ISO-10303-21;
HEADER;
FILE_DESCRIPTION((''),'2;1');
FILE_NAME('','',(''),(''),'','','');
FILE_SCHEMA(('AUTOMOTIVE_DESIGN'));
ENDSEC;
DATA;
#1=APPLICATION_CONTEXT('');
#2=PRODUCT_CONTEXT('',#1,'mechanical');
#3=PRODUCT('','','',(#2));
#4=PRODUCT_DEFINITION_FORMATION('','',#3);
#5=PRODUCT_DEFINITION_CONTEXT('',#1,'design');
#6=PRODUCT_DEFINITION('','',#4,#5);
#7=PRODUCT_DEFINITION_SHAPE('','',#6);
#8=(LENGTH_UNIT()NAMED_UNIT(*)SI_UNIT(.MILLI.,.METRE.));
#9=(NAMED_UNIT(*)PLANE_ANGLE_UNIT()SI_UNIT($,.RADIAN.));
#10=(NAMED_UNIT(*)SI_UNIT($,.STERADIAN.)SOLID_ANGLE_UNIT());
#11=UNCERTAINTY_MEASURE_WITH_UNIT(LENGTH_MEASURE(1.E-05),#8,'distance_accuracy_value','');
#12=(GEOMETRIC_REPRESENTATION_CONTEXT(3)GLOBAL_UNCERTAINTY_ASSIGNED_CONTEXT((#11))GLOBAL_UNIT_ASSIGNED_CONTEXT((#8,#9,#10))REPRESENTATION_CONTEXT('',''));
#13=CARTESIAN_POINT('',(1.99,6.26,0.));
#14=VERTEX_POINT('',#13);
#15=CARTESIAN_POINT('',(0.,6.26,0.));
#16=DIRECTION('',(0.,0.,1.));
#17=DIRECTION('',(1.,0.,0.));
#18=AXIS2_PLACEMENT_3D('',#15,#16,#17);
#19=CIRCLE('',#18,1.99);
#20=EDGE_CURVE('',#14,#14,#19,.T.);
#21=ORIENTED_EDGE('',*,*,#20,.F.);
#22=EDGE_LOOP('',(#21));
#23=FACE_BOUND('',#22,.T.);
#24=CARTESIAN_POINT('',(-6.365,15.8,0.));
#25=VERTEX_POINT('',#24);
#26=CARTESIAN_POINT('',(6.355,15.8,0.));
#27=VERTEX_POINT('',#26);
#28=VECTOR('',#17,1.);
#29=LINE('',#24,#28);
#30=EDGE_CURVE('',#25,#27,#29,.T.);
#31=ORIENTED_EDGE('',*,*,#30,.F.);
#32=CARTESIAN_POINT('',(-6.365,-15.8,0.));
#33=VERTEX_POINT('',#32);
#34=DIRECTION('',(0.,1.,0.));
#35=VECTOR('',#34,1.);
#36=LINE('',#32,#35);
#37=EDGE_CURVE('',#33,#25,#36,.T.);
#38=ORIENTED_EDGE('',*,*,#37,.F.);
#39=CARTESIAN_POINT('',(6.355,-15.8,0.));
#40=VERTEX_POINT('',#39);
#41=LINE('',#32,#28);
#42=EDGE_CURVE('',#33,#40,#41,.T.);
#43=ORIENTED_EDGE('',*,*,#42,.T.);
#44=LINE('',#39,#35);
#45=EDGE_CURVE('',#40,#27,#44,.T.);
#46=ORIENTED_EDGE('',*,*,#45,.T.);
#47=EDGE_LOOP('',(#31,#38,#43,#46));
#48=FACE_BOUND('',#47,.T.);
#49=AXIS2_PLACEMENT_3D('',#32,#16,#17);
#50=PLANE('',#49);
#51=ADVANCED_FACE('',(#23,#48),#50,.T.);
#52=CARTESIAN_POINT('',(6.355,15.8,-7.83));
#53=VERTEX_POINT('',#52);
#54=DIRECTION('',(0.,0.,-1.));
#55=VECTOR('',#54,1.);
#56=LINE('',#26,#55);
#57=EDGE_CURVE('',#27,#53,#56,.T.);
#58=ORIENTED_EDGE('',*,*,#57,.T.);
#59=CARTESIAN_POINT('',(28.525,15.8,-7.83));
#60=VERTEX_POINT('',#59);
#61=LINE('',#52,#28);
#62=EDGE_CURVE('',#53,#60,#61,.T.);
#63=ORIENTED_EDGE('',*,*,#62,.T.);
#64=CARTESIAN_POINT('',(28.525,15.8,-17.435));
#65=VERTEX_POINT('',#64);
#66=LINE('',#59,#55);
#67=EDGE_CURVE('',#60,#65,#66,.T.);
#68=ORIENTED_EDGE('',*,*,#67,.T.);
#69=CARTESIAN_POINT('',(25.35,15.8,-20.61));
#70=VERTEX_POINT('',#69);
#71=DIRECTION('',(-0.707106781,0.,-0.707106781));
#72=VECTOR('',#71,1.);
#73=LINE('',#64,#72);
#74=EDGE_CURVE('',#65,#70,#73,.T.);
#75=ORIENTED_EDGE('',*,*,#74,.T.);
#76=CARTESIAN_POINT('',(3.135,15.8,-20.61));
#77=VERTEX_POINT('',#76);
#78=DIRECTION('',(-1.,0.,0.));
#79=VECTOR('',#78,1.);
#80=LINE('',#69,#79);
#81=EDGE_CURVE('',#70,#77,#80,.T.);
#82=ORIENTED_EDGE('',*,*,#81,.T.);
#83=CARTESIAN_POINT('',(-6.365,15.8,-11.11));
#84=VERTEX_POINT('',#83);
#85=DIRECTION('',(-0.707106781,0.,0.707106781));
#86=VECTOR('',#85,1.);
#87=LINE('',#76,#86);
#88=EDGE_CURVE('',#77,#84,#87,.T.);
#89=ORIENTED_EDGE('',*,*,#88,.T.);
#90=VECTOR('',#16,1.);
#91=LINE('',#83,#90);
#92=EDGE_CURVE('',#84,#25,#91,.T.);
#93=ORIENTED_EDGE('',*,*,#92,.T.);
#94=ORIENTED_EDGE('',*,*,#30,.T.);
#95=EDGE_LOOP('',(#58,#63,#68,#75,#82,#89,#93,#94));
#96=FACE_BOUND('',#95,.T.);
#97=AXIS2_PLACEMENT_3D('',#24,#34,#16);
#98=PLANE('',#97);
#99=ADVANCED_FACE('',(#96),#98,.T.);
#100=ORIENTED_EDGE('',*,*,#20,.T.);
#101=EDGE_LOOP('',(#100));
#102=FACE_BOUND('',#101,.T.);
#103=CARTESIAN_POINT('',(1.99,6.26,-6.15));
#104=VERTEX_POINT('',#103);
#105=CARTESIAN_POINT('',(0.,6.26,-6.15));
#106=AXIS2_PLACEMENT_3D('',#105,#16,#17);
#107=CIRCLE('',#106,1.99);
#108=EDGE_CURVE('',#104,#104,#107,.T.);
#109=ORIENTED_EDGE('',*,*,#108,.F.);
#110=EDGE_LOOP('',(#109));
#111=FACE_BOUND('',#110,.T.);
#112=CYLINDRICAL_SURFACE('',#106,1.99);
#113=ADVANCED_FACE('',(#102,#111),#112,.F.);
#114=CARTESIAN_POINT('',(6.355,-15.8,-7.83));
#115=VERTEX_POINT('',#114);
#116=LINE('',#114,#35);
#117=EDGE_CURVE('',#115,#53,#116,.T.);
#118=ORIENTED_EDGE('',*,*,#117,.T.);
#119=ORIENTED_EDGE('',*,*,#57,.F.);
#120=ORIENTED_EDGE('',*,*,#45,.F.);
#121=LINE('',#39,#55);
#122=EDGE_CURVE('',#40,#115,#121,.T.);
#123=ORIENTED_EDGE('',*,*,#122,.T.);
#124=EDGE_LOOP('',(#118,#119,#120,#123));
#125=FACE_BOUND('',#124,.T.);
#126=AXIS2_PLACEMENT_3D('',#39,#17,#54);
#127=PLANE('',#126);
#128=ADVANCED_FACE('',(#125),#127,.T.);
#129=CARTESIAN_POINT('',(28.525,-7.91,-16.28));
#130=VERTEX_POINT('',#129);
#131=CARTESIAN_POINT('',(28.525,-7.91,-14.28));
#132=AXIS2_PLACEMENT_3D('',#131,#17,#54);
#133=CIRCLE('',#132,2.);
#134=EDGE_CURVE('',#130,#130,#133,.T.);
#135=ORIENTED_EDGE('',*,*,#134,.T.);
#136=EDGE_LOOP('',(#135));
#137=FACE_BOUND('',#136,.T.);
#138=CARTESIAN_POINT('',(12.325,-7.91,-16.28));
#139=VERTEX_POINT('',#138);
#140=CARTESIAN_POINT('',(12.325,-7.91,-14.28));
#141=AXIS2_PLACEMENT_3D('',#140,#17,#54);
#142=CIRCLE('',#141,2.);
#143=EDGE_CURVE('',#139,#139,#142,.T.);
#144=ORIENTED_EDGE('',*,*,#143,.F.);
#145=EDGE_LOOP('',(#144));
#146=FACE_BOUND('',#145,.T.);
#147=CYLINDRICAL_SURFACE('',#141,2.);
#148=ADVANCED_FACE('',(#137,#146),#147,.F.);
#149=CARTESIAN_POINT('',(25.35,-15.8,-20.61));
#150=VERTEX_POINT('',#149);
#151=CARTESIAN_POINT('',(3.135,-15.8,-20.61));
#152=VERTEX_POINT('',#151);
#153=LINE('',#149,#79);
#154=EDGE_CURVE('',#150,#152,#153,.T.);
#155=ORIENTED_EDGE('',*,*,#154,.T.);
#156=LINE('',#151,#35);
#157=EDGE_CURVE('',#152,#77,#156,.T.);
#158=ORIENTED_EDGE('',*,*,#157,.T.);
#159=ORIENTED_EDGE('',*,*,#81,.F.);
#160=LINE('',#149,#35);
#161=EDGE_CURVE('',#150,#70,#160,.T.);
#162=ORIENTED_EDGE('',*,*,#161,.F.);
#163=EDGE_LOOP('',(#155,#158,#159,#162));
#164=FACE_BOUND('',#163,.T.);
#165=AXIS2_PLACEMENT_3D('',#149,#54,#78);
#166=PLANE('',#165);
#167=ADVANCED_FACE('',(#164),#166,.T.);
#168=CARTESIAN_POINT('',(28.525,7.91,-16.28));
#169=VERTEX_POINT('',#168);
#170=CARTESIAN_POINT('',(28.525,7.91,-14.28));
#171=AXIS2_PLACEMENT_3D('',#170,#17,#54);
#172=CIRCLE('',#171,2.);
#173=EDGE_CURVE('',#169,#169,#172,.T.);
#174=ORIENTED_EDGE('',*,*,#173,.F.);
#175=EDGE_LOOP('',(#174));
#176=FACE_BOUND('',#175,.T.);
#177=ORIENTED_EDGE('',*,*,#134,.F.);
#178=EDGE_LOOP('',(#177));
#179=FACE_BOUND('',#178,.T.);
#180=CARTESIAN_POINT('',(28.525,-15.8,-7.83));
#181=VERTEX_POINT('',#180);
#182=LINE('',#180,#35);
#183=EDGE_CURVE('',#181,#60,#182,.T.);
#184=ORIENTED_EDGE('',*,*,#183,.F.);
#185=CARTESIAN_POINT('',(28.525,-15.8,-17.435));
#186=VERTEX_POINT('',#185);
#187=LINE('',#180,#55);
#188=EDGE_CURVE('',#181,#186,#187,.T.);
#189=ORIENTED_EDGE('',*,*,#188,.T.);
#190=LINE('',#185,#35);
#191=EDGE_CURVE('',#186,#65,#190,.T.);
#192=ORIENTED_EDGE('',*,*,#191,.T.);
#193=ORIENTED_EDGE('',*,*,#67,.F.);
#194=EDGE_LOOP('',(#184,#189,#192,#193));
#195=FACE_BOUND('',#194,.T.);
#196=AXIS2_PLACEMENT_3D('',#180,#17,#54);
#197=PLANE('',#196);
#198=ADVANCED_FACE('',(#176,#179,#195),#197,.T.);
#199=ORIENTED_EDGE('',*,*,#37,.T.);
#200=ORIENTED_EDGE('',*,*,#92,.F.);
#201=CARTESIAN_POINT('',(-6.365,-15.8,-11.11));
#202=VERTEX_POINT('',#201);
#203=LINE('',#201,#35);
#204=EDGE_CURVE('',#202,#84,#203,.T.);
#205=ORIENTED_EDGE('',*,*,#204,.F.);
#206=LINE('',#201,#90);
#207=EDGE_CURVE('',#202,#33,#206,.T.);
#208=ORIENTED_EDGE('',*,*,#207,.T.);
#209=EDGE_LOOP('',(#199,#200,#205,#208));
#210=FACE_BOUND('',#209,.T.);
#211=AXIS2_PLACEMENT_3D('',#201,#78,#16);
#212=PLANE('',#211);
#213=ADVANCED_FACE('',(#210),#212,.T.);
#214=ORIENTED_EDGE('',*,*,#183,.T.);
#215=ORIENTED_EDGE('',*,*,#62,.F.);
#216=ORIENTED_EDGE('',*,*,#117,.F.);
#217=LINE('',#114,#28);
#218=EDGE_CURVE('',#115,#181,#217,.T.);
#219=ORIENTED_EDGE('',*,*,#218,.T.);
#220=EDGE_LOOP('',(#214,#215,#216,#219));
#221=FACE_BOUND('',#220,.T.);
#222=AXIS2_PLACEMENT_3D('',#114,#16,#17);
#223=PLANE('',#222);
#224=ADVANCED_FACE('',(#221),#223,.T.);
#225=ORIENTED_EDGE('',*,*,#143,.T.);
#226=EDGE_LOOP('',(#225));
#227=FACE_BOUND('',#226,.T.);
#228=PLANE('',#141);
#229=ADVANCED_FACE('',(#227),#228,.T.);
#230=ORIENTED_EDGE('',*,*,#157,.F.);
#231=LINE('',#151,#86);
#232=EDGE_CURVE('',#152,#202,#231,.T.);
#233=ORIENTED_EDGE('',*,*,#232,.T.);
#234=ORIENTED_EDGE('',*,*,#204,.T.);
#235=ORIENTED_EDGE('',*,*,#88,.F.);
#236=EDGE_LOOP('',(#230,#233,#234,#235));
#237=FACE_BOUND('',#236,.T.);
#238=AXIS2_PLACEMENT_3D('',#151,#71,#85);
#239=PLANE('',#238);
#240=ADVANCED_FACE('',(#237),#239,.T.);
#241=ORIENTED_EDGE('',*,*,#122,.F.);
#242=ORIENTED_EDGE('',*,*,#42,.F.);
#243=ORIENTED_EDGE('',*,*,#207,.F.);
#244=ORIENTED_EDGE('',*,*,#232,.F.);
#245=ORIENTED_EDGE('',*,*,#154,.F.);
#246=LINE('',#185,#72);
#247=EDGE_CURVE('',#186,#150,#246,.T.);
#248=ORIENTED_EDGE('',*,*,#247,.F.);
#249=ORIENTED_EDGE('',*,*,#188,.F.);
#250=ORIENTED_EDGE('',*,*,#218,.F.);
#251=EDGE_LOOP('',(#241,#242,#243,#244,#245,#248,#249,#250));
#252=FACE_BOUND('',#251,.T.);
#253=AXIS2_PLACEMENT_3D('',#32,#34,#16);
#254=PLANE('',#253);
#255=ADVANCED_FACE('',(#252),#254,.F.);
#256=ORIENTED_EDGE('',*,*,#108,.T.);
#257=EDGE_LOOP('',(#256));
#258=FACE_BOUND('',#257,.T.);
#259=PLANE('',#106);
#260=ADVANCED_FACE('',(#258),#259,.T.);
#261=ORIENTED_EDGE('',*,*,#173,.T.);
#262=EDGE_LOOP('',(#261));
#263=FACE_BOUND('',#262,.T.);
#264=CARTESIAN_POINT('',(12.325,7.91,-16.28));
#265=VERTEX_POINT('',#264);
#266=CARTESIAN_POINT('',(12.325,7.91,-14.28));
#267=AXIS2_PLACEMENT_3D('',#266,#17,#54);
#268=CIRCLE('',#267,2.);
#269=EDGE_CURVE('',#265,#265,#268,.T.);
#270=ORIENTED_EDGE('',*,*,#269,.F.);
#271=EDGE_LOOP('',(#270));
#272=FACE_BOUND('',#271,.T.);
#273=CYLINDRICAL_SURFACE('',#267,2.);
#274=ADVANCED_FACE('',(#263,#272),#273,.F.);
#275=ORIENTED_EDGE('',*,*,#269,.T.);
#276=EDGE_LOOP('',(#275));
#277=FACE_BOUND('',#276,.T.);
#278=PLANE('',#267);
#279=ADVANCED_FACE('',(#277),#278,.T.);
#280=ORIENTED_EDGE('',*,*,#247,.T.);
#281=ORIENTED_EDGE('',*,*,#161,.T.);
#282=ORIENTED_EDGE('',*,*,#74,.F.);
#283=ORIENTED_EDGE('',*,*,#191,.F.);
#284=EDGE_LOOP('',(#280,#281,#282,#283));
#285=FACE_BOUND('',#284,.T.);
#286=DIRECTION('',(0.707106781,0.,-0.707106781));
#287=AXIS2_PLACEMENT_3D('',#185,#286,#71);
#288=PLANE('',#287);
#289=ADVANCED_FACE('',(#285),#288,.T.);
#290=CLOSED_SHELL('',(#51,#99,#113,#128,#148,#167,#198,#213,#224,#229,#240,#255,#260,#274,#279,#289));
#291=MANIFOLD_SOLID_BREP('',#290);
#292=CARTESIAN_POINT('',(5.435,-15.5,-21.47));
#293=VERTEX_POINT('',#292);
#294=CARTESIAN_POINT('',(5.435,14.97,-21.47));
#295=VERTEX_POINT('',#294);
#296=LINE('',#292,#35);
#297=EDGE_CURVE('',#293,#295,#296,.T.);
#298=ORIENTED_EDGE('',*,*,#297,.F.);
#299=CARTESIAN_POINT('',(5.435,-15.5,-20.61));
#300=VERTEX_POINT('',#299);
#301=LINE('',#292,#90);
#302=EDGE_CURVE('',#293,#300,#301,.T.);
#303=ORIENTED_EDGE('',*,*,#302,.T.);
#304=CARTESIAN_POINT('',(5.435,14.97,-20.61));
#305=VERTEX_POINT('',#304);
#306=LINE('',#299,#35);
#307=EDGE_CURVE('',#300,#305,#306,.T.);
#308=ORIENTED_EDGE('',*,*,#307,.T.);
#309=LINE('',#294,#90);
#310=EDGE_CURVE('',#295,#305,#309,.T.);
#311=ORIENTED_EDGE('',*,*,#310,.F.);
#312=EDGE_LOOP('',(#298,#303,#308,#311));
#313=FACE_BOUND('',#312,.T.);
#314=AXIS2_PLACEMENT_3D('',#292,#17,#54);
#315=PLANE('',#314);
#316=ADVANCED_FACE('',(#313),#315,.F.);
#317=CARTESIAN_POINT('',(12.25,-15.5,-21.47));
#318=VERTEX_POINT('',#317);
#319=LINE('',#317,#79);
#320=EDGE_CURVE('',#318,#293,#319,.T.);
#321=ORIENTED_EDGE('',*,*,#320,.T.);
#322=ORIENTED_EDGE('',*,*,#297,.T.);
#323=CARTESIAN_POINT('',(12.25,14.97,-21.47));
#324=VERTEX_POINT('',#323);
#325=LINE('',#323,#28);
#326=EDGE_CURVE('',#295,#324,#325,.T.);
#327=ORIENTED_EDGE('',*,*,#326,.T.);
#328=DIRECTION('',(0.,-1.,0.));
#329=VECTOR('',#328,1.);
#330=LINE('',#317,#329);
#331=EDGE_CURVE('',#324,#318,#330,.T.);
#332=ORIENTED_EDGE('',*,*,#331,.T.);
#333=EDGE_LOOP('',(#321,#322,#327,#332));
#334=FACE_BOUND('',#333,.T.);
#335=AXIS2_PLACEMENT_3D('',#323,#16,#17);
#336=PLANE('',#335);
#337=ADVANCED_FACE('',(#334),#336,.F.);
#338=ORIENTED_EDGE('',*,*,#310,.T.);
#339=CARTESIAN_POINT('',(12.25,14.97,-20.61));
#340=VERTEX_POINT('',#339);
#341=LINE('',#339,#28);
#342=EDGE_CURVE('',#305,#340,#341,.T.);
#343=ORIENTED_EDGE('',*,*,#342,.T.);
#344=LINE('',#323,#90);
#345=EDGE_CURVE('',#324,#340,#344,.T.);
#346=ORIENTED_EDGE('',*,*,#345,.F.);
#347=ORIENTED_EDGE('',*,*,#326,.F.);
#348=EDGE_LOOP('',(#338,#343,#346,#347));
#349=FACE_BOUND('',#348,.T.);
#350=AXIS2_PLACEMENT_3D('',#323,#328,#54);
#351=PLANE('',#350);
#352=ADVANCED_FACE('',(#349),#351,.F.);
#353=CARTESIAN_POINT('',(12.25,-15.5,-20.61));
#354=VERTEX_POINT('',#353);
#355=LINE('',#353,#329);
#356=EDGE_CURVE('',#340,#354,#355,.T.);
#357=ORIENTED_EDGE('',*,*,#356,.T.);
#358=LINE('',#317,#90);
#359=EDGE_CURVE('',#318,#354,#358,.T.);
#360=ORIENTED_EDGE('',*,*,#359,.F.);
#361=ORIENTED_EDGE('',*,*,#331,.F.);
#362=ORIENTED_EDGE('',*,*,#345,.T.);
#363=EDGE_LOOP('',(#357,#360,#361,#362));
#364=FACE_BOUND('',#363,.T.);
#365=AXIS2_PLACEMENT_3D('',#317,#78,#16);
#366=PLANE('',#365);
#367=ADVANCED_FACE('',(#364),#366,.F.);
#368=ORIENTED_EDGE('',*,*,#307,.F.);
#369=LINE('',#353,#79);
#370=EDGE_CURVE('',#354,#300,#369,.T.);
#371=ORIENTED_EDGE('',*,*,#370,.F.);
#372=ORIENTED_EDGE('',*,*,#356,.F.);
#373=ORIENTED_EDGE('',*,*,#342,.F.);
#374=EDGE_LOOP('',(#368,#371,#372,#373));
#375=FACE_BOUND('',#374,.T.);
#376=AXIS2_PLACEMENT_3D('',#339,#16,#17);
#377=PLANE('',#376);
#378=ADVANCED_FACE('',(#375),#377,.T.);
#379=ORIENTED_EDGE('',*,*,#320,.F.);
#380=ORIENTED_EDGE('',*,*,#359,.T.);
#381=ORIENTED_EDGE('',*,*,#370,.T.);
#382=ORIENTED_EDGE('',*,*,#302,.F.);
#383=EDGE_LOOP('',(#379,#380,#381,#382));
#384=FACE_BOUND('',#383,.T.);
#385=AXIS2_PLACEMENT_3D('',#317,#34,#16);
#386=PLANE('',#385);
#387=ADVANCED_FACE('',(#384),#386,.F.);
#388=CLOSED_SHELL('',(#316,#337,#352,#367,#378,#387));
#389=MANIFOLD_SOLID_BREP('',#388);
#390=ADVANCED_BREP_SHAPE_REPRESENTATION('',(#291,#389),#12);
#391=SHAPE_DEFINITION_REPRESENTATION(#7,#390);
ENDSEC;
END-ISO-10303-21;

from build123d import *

# Parameters (mm, degrees)
BOSS_EXTRUDE1_DEPTH      = 15.8
BOSS_EXTRUDE1_DEPTH_BACK = 15.8
SKETCH2_R                = 1.99
CUT_EXTRUDE1_DEPTH       = 6.15
SKETCH3_R                = 2
CUT_EXTRUDE2_DEPTH       = 16.2
SKETCH4_W                = 6.815
SKETCH4_H                = 30.47
BOSS_EXTRUDE2_DEPTH      = 0.86


with BuildPart() as part:
    # Sketch1 → Boss-Extrude1 (new, two sides: drawn at the far end of the back side and taken through both)
    with BuildSketch(Plane(origin=(0, 0, 0), x_dir=(1, 0, 0), z_dir=(0, 1, 0)).offset(-BOSS_EXTRUDE1_DEPTH_BACK)):
        Polygon((-6.365, 0), (6.355, 0), (6.355, 7.83), (28.525, 7.83), (28.525, 17.435), (25.35, 20.61), (3.135, 20.61), (-6.365, 11.11), align=None)
    extrude(amount=BOSS_EXTRUDE1_DEPTH + BOSS_EXTRUDE1_DEPTH_BACK)

    # Sketch2 → Cut-Extrude1 (cut)
    with BuildSketch(Plane.XY):
        with Locations((0, 6.26)):
            Circle(SKETCH2_R)
    extrude(amount=-CUT_EXTRUDE1_DEPTH, mode=Mode.SUBTRACT)

    # Sketch3 → Cut-Extrude2 (cut)
    with BuildSketch(Plane(origin=(28.525, 0, 0), x_dir=(0, 0, -1), z_dir=(1, 0, 0))):
        with Locations((14.28, -7.91)):
            Circle(SKETCH3_R)
        with Locations((14.28, 7.91)):
            Circle(SKETCH3_R)
    extrude(amount=-CUT_EXTRUDE2_DEPTH, mode=Mode.SUBTRACT)


with BuildPart() as body_2:
    # Sketch4 → Boss-Extrude2 (new body)
    with BuildSketch(Plane(origin=(0, 0, -20.61), x_dir=(-1, 0, 0), z_dir=(0, 0, -1))):
        with Locations((-8.8425, -0.265)):
            Rectangle(SKETCH4_W, SKETCH4_H)
    extrude(amount=BOSS_EXTRUDE2_DEPTH)


solid = Compound([part.part, body_2.part])
